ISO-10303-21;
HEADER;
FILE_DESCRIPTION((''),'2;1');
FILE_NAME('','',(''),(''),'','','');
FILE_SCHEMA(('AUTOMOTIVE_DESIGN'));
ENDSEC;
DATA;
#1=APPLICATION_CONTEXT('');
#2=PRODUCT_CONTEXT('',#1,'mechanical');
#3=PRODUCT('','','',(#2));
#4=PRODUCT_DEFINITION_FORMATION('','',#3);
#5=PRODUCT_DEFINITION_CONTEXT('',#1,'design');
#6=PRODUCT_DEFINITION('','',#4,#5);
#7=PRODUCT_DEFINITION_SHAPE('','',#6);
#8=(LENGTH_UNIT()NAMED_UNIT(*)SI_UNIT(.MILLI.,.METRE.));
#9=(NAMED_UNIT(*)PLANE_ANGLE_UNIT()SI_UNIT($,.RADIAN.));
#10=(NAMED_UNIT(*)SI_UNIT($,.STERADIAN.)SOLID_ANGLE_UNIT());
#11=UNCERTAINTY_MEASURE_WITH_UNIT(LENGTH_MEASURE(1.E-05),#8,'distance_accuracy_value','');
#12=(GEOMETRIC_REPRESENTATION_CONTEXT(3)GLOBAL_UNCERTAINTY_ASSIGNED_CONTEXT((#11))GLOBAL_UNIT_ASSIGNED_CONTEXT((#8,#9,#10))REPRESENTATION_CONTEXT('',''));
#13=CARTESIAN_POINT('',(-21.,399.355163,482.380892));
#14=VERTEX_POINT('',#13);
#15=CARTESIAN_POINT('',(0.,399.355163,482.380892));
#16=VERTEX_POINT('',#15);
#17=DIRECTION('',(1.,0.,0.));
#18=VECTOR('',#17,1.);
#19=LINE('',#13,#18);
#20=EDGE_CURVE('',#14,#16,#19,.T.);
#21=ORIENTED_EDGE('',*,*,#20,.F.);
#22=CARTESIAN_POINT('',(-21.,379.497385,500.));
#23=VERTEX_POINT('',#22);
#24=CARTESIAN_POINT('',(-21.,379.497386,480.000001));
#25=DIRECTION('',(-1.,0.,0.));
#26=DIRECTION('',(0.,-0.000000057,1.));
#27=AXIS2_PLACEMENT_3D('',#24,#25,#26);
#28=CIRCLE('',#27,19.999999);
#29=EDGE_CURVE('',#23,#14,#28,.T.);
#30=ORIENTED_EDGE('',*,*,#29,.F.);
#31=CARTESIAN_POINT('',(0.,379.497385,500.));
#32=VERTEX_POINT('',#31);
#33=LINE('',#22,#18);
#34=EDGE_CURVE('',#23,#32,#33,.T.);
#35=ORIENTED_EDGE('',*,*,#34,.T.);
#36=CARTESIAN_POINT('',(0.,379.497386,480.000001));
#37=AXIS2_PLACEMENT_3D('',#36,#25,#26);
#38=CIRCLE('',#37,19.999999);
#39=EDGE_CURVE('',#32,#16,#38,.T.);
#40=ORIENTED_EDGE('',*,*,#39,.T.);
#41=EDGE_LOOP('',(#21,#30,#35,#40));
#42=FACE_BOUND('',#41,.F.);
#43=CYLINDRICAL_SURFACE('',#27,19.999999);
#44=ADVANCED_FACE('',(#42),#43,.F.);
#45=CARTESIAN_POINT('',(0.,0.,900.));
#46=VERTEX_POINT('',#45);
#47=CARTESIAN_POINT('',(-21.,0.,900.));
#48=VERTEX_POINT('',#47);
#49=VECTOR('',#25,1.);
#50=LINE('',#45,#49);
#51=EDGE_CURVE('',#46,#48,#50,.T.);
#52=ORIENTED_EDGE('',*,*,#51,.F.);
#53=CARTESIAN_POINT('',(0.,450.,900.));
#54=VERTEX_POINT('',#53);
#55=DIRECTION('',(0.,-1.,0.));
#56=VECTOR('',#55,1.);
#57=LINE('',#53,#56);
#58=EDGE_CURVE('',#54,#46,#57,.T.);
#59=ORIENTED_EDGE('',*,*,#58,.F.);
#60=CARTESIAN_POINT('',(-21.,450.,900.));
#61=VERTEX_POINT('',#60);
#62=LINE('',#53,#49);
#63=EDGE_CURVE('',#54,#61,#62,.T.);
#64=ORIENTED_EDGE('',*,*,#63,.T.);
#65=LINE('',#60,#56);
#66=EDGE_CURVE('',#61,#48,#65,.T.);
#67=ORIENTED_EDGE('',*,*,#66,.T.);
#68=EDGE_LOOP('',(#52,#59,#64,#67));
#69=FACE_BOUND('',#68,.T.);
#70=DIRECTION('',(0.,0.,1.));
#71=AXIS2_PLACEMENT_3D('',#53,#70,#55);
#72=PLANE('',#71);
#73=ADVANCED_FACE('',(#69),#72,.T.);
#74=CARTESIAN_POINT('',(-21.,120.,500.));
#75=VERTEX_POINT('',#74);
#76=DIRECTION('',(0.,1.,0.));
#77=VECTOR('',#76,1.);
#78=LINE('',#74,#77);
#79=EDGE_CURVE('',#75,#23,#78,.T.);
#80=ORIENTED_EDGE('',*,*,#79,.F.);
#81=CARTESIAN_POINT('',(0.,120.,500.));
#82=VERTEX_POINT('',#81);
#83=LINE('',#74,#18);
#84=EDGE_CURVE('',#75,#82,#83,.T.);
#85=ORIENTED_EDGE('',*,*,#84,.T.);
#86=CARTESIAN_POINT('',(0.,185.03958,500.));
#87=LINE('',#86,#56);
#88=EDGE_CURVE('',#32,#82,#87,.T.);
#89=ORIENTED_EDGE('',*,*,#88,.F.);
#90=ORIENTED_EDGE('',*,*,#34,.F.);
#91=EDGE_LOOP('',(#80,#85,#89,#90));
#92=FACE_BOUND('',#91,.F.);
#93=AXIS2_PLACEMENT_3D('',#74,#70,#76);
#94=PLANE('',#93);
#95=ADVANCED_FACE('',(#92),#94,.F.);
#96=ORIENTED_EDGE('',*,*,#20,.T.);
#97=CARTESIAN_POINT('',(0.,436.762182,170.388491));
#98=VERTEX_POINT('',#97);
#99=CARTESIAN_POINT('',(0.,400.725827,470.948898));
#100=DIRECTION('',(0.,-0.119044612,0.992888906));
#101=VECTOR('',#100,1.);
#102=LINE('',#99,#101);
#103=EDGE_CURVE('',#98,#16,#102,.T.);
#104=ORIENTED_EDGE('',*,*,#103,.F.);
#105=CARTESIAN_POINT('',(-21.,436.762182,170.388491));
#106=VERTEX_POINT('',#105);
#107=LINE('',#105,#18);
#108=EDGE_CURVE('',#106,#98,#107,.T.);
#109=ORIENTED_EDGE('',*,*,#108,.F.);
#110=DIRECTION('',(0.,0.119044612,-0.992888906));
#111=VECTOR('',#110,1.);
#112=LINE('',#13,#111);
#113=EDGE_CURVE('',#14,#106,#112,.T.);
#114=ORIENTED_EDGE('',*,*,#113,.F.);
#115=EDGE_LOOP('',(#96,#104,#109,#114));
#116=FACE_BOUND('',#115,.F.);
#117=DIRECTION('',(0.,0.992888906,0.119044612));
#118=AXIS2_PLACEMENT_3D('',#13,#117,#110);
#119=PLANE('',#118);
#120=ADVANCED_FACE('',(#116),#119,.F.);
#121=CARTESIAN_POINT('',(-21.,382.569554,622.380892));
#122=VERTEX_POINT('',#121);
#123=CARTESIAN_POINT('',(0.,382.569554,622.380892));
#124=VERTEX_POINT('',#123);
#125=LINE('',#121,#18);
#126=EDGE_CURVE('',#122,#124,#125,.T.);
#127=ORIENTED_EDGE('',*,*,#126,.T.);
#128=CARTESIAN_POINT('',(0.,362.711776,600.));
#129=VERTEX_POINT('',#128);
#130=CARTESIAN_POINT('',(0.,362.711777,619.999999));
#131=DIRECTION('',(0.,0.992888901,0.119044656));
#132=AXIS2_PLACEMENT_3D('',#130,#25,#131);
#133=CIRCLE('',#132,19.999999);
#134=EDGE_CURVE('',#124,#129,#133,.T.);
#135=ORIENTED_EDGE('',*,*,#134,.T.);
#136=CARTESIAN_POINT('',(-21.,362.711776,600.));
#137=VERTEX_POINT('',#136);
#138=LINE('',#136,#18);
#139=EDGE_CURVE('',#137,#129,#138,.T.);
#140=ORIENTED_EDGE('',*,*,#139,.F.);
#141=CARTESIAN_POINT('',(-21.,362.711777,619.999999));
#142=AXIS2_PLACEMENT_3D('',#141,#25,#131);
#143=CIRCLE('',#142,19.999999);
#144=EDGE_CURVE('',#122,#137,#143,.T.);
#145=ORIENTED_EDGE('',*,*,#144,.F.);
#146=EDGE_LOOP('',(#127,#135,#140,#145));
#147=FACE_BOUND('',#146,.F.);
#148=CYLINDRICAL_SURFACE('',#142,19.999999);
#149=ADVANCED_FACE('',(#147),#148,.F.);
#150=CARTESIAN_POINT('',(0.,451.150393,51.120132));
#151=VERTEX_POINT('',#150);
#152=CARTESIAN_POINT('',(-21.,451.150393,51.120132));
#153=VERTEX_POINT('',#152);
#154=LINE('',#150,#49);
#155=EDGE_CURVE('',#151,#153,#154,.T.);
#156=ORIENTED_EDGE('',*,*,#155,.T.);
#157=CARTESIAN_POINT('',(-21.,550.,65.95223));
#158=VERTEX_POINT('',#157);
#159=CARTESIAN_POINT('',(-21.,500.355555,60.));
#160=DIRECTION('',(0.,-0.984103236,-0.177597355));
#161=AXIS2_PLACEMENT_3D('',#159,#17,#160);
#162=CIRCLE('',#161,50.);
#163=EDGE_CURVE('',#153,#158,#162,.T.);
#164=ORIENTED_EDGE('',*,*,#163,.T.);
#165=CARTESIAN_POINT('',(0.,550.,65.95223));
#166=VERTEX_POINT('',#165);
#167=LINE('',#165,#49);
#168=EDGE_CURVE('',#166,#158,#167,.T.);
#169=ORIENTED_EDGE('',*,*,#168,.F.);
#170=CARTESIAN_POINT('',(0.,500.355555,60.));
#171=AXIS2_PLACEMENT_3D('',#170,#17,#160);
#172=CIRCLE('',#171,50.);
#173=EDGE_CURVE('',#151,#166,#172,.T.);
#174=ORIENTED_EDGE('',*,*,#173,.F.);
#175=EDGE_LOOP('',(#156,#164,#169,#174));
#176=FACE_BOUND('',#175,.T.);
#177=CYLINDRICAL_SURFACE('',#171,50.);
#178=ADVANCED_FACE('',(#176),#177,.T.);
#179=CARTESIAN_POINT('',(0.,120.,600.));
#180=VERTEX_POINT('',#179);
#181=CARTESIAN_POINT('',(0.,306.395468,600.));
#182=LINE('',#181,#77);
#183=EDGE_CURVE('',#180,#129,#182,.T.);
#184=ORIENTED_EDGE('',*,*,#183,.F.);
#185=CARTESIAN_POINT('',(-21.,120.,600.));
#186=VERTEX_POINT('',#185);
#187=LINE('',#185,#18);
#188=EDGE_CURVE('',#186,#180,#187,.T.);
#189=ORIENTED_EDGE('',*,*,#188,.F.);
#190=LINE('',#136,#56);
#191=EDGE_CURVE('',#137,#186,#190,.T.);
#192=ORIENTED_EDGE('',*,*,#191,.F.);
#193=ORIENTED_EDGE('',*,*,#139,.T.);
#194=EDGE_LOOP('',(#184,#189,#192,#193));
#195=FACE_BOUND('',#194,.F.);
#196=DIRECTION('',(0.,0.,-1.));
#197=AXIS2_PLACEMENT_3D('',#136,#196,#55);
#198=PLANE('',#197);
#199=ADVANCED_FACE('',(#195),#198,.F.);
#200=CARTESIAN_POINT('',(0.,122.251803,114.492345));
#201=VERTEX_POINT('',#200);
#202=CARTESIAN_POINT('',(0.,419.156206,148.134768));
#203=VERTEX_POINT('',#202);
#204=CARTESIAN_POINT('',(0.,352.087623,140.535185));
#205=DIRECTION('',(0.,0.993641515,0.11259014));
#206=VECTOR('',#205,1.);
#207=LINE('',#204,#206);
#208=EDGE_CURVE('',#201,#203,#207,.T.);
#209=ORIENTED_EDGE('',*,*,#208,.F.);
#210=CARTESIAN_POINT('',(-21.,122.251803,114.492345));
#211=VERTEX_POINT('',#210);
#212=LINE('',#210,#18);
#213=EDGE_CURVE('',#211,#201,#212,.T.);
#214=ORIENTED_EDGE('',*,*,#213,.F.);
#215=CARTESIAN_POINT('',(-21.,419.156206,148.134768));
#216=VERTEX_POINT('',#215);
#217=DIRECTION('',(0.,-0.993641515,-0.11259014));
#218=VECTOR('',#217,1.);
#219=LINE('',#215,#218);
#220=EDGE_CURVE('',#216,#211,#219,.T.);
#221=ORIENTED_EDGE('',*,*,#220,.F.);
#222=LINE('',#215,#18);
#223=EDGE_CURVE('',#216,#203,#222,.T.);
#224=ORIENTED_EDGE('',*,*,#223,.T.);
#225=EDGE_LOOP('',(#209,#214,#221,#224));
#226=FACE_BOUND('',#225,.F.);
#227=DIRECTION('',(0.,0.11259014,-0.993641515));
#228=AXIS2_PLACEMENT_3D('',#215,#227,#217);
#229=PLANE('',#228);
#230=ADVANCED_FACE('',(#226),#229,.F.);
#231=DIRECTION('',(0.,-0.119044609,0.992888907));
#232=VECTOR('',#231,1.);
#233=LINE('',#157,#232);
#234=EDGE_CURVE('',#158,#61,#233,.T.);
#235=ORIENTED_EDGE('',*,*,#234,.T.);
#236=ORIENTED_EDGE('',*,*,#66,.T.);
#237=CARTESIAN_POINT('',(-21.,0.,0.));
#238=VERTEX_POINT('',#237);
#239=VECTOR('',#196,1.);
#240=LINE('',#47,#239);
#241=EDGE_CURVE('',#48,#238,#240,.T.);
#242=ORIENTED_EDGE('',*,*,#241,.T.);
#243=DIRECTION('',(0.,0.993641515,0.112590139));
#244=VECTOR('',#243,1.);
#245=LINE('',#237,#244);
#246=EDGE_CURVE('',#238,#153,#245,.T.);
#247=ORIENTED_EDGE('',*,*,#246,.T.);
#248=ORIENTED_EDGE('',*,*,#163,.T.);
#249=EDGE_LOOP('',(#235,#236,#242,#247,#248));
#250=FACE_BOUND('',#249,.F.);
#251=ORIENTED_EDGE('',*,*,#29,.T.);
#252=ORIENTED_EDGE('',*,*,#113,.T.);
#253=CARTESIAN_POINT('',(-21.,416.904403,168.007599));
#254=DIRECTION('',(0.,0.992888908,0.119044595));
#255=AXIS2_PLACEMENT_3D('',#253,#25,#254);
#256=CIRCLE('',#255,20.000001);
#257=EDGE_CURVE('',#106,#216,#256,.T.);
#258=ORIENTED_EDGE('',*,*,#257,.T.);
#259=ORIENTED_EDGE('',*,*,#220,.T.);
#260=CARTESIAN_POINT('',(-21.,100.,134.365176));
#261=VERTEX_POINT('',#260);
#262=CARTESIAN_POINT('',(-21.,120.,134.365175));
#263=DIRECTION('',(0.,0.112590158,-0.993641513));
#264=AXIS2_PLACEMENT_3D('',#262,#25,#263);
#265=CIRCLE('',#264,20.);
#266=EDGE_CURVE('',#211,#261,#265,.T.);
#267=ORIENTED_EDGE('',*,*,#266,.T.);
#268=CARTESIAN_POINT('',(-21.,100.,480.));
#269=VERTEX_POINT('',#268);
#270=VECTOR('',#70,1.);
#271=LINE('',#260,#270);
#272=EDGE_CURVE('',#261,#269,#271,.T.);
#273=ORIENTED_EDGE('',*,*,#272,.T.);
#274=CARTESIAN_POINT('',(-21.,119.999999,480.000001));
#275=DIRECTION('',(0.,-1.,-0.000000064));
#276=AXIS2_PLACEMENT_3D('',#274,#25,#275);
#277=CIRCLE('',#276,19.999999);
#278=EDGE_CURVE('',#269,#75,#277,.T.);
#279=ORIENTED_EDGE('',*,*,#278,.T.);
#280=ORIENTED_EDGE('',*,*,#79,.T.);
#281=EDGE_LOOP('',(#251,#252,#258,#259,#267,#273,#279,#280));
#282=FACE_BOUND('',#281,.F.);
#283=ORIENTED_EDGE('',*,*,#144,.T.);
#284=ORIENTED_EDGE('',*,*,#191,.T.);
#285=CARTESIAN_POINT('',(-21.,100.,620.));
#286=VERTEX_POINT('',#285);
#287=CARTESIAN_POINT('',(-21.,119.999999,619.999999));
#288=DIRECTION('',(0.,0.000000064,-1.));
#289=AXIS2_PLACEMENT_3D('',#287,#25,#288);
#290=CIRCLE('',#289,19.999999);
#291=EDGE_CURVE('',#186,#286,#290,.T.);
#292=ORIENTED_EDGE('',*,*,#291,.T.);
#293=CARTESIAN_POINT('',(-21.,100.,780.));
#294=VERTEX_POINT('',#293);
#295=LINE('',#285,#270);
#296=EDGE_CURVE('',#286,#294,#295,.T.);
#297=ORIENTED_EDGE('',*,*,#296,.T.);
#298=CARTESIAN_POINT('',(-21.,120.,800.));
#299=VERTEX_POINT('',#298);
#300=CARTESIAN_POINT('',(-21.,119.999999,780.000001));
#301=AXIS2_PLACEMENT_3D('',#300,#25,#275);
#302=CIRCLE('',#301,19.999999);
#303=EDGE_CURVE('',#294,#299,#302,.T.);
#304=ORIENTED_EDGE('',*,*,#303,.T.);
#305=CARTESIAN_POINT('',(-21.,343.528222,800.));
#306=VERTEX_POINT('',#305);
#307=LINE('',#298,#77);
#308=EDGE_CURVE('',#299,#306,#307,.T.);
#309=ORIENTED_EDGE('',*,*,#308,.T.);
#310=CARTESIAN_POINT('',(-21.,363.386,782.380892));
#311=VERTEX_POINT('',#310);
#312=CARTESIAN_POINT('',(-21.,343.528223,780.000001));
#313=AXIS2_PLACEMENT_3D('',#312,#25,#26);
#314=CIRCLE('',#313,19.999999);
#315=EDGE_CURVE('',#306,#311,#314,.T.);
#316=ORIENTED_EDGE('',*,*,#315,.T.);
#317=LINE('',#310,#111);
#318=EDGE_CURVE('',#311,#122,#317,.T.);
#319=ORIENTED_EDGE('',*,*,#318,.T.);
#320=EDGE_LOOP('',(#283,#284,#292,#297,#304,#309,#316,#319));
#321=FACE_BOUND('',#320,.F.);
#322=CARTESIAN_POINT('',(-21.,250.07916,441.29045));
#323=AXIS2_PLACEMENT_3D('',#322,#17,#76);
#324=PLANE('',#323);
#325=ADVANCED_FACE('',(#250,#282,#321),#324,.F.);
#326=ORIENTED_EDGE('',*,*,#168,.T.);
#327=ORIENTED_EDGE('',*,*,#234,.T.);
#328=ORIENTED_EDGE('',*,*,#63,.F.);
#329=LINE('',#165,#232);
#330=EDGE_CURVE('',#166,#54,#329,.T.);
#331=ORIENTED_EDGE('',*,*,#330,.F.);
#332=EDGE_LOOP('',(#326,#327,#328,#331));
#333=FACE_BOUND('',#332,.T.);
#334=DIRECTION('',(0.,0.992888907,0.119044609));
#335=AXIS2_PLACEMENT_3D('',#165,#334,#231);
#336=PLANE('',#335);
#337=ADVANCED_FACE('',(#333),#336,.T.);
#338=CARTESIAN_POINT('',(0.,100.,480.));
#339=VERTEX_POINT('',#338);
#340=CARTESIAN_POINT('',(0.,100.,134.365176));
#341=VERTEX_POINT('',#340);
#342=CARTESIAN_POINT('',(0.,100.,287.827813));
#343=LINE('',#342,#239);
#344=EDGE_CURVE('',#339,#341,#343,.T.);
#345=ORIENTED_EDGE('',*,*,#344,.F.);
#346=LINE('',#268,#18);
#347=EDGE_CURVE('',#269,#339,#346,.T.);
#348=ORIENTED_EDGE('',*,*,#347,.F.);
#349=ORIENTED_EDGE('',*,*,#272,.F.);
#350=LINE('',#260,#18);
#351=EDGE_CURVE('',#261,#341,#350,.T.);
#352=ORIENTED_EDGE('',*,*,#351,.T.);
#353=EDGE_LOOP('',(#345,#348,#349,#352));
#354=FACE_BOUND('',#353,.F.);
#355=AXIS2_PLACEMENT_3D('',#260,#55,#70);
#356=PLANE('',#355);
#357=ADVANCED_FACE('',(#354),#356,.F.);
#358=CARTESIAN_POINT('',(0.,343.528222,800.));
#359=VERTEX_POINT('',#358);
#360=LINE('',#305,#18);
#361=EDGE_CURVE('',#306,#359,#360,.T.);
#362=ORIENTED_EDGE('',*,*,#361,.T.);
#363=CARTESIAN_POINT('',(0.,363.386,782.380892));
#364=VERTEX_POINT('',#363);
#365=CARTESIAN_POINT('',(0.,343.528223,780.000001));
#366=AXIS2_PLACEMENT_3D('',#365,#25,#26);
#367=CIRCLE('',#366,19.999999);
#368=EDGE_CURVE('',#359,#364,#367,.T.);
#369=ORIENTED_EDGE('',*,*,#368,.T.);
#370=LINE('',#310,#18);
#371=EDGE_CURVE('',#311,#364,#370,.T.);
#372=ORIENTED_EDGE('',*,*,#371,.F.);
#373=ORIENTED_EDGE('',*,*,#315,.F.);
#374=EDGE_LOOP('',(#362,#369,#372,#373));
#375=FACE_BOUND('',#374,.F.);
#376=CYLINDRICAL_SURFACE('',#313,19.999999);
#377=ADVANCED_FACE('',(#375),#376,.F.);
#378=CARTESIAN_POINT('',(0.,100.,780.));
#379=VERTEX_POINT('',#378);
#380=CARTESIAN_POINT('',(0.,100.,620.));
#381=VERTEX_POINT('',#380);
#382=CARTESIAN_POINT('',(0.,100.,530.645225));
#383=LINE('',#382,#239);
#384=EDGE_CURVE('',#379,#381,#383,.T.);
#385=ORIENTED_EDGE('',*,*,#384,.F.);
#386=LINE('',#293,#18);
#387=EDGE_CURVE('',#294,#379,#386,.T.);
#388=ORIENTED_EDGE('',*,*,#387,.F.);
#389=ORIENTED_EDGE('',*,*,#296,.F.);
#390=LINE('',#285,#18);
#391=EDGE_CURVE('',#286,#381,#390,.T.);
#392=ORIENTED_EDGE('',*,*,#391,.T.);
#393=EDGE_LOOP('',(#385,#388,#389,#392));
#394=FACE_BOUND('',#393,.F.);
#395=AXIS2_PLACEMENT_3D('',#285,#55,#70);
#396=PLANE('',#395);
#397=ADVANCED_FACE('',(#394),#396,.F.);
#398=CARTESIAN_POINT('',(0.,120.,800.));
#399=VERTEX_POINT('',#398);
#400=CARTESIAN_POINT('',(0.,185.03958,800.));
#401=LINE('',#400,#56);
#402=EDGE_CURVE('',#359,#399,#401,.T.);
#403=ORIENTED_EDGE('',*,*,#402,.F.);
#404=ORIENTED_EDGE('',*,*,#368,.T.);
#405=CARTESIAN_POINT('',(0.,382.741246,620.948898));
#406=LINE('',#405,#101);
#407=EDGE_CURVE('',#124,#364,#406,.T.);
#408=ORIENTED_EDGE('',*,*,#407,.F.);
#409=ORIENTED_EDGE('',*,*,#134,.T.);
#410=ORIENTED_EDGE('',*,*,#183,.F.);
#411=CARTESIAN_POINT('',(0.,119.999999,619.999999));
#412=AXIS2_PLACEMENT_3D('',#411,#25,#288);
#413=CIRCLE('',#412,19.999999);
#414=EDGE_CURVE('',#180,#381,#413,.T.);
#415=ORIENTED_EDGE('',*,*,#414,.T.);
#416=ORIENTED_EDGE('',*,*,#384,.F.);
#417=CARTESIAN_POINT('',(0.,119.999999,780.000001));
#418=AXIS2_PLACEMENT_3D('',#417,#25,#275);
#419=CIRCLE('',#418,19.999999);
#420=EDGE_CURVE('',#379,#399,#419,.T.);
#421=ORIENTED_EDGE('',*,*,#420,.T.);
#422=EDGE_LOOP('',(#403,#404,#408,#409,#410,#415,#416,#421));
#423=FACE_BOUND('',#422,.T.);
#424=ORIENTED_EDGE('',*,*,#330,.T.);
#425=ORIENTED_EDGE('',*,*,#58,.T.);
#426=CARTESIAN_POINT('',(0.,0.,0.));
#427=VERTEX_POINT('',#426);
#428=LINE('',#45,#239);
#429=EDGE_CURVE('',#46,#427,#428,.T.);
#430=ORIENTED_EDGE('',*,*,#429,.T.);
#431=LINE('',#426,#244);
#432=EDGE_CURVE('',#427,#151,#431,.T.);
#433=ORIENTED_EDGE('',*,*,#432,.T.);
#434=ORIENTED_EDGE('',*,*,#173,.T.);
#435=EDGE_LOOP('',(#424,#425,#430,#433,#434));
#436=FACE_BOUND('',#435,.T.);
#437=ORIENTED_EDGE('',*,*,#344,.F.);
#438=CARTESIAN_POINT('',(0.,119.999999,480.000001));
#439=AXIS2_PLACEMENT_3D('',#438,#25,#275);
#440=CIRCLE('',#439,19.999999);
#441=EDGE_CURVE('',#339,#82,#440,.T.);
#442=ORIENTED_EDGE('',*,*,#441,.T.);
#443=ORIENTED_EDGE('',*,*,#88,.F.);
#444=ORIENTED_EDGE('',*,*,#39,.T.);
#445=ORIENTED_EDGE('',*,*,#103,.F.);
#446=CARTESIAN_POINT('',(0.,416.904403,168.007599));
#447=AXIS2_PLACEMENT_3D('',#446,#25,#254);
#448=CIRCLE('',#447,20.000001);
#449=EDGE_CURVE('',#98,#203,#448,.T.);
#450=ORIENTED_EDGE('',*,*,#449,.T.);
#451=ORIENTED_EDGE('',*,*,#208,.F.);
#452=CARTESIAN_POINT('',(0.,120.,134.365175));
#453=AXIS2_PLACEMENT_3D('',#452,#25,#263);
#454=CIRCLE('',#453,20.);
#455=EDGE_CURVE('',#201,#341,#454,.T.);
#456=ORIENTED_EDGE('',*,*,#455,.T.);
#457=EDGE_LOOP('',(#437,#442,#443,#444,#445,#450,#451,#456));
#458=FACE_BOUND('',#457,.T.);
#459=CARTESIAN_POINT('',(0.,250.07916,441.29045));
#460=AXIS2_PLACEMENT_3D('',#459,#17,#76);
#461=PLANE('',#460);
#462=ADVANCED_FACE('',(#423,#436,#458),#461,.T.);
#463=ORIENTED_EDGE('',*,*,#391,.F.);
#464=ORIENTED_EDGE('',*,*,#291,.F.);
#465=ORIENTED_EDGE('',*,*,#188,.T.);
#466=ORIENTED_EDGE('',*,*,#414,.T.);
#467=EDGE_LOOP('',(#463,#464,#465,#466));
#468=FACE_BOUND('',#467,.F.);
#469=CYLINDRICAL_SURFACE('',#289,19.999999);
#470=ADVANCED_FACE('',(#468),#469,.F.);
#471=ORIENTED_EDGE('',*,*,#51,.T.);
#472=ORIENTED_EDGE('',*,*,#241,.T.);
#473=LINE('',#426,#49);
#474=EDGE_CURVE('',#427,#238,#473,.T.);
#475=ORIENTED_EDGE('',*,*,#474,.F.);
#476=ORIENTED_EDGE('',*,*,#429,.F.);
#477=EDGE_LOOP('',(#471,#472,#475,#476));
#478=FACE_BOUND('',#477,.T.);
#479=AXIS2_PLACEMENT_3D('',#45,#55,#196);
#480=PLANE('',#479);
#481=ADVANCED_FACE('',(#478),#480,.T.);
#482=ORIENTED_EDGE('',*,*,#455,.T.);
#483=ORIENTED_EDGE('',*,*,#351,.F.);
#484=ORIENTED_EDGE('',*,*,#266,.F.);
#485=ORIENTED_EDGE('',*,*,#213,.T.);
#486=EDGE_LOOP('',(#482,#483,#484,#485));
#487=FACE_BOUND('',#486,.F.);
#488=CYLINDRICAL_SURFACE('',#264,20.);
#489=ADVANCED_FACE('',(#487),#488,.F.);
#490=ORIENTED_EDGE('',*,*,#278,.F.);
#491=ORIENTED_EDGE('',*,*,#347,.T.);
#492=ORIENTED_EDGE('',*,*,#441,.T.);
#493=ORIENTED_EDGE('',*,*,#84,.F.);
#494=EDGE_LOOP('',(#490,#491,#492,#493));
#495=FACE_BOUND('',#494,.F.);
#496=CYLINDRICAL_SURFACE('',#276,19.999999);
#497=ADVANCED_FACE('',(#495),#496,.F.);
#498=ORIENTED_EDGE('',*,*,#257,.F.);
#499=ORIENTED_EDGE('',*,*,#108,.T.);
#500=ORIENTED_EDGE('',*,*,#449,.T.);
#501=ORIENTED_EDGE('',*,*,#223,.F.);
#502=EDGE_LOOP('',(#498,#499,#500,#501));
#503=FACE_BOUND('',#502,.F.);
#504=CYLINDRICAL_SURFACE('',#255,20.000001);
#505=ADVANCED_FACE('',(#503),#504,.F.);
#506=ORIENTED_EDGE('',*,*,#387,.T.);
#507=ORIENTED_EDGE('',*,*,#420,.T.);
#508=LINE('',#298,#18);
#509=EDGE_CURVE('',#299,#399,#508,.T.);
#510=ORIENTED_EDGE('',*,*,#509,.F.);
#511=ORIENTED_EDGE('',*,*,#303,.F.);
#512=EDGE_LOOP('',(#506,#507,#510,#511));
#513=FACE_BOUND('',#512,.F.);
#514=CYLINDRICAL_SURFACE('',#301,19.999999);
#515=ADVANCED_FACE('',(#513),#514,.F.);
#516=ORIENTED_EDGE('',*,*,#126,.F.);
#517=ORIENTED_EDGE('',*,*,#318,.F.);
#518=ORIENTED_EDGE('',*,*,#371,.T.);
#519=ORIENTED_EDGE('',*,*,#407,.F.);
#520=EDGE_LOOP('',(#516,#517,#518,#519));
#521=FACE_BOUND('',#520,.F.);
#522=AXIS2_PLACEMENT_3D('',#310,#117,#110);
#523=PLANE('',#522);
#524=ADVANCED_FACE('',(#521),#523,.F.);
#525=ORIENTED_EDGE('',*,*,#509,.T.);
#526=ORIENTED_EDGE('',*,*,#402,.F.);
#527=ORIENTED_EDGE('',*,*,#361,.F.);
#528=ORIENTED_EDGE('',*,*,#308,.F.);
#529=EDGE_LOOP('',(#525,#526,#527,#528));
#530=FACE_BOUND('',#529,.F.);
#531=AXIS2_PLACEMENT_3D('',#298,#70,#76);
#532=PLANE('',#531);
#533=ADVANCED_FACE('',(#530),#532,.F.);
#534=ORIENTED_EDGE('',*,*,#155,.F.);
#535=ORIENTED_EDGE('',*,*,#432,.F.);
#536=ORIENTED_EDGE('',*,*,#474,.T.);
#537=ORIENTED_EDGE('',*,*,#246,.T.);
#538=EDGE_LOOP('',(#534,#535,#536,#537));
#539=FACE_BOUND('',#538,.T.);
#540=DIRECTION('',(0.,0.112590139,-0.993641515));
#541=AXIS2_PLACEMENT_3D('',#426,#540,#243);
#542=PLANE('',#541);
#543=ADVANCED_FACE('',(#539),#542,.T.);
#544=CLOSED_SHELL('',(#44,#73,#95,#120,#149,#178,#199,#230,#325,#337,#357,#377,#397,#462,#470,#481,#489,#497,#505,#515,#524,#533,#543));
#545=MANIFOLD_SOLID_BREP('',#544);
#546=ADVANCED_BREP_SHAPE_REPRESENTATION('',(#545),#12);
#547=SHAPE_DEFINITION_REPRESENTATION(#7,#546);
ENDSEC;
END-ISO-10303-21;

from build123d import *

# Parameters (mm, degrees)
F1_DEPTH = 21
F3_DEPTH = 25


with BuildPart() as f1:
    # F0 (on Right) → F1 (new body)
    with BuildSketch(Plane.YZ):
        with BuildLine():
            Line((0, 900), (0, 0))
            Line((0, 0), (451.150393, 51.120132))
            ThreePointArc((451.150393, 51.120132), (507.774856, 10.553524), (550, 65.95223))
            Line((550, 65.95223), (450, 900))
            Line((450, 900), (0, 900))
        make_face()
    extrude(amount=-F1_DEPTH)

    # F2 (on face) → F3 (cut)
    with BuildSketch(Plane(origin=(-21, 0, 0), x_dir=(0, -1, 0), z_dir=(-1, 0, 0))):
        with BuildLine():
            ThreePointArc((-100, 780), (-105.857864, 794.142136), (-120, 800))
            Line((-120, 800), (-343.528222, 800))
            ThreePointArc((-343.528222, 800), (-356.801921, 794.960245), (-363.386, 782.380892))
            Line((-363.386, 782.380892), (-382.569554, 622.380892))
            ThreePointArc((-382.569554, 622.380892), (-377.672021, 606.726301), (-362.711776, 600))
            Line((-362.711776, 600), (-120, 600))
            ThreePointArc((-120, 600), (-105.857864, 605.857864), (-100, 620))
            Line((-100, 620), (-100, 780))
        make_face()
        with BuildLine():
            Line((-100, 134.365176), (-100, 480))
            ThreePointArc((-100, 480), (-105.857864, 494.142136), (-120, 500))
            Line((-120, 500), (-379.497385, 500))
            ThreePointArc((-379.497385, 500), (-392.771084, 494.960245), (-399.355163, 482.380892))
            Line((-399.355163, 482.380892), (-436.762182, 170.388491))
            ThreePointArc((-436.762182, 170.388491), (-432.589283, 155.598547), (-419.156206, 148.134768))
            Line((-419.156206, 148.134768), (-122.251803, 114.492345))
            ThreePointArc((-122.251803, 114.492345), (-106.677764, 119.448137), (-100, 134.365176))
        make_face()
    extrude(amount=-F3_DEPTH, mode=Mode.SUBTRACT)


solid = f1.part
